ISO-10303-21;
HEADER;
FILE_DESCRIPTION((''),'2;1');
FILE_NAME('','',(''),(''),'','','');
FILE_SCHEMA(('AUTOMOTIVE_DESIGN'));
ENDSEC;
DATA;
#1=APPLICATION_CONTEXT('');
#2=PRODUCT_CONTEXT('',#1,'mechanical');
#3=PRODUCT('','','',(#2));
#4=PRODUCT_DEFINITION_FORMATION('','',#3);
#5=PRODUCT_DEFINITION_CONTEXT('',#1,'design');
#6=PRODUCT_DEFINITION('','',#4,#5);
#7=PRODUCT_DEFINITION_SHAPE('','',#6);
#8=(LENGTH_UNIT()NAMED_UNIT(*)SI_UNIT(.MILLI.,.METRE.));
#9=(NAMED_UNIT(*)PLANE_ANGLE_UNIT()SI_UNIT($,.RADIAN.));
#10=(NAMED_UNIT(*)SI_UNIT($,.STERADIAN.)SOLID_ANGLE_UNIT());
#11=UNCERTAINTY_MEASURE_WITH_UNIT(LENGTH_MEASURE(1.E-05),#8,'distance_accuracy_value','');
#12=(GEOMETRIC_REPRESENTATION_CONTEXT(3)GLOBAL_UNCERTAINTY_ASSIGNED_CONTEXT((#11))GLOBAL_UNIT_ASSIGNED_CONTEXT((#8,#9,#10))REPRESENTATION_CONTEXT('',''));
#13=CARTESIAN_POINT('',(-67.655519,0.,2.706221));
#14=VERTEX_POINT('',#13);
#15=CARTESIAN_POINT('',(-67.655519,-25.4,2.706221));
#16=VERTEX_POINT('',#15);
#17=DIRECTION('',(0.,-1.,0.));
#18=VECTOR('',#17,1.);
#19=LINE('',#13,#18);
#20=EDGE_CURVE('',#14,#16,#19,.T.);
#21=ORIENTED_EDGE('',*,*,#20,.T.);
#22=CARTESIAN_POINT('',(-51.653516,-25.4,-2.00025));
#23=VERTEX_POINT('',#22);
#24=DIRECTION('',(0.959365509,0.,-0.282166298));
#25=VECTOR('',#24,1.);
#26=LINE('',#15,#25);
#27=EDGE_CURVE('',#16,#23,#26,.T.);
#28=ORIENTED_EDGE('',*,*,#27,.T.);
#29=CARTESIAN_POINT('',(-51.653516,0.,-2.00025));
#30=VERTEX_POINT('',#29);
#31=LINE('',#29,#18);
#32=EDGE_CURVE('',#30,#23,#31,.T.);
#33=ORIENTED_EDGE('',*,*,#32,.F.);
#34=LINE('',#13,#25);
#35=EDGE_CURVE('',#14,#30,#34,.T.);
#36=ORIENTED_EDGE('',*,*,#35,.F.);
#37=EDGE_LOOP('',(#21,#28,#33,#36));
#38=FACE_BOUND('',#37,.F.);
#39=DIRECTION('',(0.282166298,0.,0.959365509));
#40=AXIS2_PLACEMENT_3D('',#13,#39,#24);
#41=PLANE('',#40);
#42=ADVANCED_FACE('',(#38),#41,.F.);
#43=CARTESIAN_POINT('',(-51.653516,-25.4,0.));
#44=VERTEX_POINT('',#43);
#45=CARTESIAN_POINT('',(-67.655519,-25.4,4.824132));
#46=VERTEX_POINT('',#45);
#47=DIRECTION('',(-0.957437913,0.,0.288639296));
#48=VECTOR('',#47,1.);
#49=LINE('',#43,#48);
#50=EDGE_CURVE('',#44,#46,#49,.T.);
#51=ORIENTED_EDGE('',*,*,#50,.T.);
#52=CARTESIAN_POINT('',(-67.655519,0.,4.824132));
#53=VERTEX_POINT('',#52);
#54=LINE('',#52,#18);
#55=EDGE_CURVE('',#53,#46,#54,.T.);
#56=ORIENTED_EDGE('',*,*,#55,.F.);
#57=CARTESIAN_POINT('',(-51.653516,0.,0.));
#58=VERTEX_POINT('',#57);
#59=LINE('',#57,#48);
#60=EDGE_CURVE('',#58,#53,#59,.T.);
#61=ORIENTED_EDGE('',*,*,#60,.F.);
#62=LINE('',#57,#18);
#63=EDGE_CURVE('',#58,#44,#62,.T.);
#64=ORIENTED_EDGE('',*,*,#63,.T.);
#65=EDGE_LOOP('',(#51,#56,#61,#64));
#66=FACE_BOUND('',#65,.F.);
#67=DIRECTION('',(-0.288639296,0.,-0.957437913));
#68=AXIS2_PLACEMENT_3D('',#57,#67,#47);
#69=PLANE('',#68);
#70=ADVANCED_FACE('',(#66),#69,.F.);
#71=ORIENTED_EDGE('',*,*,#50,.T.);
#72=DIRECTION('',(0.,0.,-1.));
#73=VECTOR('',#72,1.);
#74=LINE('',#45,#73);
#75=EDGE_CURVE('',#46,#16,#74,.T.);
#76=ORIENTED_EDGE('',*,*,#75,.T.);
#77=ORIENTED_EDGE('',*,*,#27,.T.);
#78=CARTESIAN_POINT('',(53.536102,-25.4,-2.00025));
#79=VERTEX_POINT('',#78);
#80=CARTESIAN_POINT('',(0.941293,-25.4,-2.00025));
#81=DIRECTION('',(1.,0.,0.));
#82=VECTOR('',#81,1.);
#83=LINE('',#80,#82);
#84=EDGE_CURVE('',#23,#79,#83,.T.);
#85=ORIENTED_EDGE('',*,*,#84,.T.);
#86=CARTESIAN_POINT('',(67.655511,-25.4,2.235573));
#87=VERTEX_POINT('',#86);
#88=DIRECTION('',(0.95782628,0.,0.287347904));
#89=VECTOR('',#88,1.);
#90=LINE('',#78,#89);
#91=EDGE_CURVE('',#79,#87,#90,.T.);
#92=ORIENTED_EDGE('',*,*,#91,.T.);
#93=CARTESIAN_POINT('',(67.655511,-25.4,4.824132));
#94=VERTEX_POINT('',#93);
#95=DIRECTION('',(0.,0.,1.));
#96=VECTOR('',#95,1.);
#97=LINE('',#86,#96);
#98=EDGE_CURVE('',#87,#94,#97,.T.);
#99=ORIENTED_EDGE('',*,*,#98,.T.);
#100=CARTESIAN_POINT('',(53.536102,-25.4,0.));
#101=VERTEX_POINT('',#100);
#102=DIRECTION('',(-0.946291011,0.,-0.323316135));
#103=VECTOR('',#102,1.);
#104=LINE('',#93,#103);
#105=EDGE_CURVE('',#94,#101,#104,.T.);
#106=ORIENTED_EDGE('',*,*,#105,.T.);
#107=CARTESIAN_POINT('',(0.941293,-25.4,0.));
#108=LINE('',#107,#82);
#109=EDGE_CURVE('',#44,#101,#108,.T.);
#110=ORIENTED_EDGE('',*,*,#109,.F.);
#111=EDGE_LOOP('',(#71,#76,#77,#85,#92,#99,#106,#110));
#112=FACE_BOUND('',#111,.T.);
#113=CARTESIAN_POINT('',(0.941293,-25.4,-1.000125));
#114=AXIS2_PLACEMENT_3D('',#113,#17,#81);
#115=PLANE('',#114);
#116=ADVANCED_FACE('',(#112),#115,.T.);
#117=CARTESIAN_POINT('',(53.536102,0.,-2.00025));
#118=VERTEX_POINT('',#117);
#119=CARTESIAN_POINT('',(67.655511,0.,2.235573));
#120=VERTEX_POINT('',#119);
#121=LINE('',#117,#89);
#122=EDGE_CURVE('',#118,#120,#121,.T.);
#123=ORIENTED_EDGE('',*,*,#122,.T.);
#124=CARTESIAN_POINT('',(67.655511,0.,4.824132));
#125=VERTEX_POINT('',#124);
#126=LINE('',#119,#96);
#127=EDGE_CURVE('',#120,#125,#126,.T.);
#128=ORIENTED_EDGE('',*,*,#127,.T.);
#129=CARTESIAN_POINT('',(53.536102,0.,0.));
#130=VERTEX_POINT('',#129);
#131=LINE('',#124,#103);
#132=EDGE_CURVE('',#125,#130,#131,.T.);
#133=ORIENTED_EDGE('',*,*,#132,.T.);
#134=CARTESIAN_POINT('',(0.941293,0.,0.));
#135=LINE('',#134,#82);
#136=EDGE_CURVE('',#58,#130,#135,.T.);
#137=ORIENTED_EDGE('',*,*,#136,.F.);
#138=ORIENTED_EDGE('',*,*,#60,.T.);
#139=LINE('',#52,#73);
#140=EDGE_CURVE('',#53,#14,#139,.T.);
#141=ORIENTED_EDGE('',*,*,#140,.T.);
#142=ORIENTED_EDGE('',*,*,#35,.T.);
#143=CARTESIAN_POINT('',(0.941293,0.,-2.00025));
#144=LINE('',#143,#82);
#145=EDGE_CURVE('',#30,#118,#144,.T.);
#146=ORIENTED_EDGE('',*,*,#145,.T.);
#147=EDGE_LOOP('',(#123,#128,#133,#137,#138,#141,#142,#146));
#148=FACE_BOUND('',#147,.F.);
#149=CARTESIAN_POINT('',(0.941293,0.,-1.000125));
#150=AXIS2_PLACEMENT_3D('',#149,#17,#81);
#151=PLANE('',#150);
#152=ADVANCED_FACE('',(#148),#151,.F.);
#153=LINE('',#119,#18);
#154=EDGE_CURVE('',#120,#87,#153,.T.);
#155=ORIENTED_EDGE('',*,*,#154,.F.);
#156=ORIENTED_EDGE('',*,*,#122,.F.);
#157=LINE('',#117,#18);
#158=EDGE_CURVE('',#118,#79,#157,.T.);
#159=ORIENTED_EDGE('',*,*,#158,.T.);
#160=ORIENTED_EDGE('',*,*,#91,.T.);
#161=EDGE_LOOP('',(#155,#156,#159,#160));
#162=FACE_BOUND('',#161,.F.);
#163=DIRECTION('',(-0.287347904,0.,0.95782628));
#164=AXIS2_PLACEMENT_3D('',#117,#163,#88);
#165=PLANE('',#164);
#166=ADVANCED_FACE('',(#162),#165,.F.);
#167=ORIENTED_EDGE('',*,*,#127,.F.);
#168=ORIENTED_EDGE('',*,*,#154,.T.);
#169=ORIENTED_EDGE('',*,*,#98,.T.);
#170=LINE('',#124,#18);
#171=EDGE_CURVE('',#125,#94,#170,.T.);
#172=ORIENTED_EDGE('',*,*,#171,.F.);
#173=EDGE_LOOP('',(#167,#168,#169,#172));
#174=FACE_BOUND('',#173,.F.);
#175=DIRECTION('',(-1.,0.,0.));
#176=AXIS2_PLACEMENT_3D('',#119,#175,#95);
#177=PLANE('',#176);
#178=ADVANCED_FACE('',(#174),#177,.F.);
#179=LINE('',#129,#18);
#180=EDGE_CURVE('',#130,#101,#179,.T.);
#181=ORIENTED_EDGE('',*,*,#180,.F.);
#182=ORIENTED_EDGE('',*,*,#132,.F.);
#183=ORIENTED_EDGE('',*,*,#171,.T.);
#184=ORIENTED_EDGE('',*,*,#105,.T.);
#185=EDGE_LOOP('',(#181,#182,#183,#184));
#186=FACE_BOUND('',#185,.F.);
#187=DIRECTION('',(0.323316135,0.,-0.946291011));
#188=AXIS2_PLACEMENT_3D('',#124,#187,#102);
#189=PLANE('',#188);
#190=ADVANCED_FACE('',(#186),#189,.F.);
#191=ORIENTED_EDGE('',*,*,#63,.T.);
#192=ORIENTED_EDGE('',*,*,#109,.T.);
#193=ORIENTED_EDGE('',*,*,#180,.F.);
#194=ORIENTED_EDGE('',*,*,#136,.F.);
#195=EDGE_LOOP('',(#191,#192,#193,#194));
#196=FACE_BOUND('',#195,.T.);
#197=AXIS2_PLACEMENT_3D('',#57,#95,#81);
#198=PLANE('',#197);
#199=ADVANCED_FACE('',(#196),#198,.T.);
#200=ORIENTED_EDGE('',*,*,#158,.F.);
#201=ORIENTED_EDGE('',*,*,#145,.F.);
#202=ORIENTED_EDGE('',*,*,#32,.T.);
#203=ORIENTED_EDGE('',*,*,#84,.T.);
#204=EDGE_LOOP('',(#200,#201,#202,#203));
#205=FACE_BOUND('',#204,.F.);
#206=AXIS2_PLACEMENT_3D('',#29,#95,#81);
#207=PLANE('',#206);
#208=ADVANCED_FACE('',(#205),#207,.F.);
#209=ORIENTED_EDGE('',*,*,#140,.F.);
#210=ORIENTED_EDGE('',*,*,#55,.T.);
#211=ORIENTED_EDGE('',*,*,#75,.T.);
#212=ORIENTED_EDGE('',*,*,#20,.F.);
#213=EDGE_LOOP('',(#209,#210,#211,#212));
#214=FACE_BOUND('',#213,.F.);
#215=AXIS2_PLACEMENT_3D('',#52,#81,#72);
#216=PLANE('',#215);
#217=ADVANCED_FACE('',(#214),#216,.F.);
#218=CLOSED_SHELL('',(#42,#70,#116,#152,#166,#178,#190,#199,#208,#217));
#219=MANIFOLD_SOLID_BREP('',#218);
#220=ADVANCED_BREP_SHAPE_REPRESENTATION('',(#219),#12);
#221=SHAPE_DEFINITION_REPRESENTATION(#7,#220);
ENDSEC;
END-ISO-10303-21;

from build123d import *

# Parameters (mm, degrees)
F0_W     = 105.189618
F0_H     = 2.00025
F1_DEPTH = 25.4


with BuildPart() as f1:
    # F0 (on Front) → F1 (new body)
    with BuildSketch(Plane.XZ):
        with Locations((0.941293, -1.000125)):
            Rectangle(F0_W, F0_H)
        Polygon((-51.653516, -2.00025), (-51.653516, 0), (-67.655519, 4.824132), (-67.655519, 2.706221), align=None)
        Polygon((67.655511, 4.824132), (53.536102, 0), (53.536102, -2.00025), (67.655511, 2.235573), align=None)
    extrude(amount=F1_DEPTH)


solid = f1.part
